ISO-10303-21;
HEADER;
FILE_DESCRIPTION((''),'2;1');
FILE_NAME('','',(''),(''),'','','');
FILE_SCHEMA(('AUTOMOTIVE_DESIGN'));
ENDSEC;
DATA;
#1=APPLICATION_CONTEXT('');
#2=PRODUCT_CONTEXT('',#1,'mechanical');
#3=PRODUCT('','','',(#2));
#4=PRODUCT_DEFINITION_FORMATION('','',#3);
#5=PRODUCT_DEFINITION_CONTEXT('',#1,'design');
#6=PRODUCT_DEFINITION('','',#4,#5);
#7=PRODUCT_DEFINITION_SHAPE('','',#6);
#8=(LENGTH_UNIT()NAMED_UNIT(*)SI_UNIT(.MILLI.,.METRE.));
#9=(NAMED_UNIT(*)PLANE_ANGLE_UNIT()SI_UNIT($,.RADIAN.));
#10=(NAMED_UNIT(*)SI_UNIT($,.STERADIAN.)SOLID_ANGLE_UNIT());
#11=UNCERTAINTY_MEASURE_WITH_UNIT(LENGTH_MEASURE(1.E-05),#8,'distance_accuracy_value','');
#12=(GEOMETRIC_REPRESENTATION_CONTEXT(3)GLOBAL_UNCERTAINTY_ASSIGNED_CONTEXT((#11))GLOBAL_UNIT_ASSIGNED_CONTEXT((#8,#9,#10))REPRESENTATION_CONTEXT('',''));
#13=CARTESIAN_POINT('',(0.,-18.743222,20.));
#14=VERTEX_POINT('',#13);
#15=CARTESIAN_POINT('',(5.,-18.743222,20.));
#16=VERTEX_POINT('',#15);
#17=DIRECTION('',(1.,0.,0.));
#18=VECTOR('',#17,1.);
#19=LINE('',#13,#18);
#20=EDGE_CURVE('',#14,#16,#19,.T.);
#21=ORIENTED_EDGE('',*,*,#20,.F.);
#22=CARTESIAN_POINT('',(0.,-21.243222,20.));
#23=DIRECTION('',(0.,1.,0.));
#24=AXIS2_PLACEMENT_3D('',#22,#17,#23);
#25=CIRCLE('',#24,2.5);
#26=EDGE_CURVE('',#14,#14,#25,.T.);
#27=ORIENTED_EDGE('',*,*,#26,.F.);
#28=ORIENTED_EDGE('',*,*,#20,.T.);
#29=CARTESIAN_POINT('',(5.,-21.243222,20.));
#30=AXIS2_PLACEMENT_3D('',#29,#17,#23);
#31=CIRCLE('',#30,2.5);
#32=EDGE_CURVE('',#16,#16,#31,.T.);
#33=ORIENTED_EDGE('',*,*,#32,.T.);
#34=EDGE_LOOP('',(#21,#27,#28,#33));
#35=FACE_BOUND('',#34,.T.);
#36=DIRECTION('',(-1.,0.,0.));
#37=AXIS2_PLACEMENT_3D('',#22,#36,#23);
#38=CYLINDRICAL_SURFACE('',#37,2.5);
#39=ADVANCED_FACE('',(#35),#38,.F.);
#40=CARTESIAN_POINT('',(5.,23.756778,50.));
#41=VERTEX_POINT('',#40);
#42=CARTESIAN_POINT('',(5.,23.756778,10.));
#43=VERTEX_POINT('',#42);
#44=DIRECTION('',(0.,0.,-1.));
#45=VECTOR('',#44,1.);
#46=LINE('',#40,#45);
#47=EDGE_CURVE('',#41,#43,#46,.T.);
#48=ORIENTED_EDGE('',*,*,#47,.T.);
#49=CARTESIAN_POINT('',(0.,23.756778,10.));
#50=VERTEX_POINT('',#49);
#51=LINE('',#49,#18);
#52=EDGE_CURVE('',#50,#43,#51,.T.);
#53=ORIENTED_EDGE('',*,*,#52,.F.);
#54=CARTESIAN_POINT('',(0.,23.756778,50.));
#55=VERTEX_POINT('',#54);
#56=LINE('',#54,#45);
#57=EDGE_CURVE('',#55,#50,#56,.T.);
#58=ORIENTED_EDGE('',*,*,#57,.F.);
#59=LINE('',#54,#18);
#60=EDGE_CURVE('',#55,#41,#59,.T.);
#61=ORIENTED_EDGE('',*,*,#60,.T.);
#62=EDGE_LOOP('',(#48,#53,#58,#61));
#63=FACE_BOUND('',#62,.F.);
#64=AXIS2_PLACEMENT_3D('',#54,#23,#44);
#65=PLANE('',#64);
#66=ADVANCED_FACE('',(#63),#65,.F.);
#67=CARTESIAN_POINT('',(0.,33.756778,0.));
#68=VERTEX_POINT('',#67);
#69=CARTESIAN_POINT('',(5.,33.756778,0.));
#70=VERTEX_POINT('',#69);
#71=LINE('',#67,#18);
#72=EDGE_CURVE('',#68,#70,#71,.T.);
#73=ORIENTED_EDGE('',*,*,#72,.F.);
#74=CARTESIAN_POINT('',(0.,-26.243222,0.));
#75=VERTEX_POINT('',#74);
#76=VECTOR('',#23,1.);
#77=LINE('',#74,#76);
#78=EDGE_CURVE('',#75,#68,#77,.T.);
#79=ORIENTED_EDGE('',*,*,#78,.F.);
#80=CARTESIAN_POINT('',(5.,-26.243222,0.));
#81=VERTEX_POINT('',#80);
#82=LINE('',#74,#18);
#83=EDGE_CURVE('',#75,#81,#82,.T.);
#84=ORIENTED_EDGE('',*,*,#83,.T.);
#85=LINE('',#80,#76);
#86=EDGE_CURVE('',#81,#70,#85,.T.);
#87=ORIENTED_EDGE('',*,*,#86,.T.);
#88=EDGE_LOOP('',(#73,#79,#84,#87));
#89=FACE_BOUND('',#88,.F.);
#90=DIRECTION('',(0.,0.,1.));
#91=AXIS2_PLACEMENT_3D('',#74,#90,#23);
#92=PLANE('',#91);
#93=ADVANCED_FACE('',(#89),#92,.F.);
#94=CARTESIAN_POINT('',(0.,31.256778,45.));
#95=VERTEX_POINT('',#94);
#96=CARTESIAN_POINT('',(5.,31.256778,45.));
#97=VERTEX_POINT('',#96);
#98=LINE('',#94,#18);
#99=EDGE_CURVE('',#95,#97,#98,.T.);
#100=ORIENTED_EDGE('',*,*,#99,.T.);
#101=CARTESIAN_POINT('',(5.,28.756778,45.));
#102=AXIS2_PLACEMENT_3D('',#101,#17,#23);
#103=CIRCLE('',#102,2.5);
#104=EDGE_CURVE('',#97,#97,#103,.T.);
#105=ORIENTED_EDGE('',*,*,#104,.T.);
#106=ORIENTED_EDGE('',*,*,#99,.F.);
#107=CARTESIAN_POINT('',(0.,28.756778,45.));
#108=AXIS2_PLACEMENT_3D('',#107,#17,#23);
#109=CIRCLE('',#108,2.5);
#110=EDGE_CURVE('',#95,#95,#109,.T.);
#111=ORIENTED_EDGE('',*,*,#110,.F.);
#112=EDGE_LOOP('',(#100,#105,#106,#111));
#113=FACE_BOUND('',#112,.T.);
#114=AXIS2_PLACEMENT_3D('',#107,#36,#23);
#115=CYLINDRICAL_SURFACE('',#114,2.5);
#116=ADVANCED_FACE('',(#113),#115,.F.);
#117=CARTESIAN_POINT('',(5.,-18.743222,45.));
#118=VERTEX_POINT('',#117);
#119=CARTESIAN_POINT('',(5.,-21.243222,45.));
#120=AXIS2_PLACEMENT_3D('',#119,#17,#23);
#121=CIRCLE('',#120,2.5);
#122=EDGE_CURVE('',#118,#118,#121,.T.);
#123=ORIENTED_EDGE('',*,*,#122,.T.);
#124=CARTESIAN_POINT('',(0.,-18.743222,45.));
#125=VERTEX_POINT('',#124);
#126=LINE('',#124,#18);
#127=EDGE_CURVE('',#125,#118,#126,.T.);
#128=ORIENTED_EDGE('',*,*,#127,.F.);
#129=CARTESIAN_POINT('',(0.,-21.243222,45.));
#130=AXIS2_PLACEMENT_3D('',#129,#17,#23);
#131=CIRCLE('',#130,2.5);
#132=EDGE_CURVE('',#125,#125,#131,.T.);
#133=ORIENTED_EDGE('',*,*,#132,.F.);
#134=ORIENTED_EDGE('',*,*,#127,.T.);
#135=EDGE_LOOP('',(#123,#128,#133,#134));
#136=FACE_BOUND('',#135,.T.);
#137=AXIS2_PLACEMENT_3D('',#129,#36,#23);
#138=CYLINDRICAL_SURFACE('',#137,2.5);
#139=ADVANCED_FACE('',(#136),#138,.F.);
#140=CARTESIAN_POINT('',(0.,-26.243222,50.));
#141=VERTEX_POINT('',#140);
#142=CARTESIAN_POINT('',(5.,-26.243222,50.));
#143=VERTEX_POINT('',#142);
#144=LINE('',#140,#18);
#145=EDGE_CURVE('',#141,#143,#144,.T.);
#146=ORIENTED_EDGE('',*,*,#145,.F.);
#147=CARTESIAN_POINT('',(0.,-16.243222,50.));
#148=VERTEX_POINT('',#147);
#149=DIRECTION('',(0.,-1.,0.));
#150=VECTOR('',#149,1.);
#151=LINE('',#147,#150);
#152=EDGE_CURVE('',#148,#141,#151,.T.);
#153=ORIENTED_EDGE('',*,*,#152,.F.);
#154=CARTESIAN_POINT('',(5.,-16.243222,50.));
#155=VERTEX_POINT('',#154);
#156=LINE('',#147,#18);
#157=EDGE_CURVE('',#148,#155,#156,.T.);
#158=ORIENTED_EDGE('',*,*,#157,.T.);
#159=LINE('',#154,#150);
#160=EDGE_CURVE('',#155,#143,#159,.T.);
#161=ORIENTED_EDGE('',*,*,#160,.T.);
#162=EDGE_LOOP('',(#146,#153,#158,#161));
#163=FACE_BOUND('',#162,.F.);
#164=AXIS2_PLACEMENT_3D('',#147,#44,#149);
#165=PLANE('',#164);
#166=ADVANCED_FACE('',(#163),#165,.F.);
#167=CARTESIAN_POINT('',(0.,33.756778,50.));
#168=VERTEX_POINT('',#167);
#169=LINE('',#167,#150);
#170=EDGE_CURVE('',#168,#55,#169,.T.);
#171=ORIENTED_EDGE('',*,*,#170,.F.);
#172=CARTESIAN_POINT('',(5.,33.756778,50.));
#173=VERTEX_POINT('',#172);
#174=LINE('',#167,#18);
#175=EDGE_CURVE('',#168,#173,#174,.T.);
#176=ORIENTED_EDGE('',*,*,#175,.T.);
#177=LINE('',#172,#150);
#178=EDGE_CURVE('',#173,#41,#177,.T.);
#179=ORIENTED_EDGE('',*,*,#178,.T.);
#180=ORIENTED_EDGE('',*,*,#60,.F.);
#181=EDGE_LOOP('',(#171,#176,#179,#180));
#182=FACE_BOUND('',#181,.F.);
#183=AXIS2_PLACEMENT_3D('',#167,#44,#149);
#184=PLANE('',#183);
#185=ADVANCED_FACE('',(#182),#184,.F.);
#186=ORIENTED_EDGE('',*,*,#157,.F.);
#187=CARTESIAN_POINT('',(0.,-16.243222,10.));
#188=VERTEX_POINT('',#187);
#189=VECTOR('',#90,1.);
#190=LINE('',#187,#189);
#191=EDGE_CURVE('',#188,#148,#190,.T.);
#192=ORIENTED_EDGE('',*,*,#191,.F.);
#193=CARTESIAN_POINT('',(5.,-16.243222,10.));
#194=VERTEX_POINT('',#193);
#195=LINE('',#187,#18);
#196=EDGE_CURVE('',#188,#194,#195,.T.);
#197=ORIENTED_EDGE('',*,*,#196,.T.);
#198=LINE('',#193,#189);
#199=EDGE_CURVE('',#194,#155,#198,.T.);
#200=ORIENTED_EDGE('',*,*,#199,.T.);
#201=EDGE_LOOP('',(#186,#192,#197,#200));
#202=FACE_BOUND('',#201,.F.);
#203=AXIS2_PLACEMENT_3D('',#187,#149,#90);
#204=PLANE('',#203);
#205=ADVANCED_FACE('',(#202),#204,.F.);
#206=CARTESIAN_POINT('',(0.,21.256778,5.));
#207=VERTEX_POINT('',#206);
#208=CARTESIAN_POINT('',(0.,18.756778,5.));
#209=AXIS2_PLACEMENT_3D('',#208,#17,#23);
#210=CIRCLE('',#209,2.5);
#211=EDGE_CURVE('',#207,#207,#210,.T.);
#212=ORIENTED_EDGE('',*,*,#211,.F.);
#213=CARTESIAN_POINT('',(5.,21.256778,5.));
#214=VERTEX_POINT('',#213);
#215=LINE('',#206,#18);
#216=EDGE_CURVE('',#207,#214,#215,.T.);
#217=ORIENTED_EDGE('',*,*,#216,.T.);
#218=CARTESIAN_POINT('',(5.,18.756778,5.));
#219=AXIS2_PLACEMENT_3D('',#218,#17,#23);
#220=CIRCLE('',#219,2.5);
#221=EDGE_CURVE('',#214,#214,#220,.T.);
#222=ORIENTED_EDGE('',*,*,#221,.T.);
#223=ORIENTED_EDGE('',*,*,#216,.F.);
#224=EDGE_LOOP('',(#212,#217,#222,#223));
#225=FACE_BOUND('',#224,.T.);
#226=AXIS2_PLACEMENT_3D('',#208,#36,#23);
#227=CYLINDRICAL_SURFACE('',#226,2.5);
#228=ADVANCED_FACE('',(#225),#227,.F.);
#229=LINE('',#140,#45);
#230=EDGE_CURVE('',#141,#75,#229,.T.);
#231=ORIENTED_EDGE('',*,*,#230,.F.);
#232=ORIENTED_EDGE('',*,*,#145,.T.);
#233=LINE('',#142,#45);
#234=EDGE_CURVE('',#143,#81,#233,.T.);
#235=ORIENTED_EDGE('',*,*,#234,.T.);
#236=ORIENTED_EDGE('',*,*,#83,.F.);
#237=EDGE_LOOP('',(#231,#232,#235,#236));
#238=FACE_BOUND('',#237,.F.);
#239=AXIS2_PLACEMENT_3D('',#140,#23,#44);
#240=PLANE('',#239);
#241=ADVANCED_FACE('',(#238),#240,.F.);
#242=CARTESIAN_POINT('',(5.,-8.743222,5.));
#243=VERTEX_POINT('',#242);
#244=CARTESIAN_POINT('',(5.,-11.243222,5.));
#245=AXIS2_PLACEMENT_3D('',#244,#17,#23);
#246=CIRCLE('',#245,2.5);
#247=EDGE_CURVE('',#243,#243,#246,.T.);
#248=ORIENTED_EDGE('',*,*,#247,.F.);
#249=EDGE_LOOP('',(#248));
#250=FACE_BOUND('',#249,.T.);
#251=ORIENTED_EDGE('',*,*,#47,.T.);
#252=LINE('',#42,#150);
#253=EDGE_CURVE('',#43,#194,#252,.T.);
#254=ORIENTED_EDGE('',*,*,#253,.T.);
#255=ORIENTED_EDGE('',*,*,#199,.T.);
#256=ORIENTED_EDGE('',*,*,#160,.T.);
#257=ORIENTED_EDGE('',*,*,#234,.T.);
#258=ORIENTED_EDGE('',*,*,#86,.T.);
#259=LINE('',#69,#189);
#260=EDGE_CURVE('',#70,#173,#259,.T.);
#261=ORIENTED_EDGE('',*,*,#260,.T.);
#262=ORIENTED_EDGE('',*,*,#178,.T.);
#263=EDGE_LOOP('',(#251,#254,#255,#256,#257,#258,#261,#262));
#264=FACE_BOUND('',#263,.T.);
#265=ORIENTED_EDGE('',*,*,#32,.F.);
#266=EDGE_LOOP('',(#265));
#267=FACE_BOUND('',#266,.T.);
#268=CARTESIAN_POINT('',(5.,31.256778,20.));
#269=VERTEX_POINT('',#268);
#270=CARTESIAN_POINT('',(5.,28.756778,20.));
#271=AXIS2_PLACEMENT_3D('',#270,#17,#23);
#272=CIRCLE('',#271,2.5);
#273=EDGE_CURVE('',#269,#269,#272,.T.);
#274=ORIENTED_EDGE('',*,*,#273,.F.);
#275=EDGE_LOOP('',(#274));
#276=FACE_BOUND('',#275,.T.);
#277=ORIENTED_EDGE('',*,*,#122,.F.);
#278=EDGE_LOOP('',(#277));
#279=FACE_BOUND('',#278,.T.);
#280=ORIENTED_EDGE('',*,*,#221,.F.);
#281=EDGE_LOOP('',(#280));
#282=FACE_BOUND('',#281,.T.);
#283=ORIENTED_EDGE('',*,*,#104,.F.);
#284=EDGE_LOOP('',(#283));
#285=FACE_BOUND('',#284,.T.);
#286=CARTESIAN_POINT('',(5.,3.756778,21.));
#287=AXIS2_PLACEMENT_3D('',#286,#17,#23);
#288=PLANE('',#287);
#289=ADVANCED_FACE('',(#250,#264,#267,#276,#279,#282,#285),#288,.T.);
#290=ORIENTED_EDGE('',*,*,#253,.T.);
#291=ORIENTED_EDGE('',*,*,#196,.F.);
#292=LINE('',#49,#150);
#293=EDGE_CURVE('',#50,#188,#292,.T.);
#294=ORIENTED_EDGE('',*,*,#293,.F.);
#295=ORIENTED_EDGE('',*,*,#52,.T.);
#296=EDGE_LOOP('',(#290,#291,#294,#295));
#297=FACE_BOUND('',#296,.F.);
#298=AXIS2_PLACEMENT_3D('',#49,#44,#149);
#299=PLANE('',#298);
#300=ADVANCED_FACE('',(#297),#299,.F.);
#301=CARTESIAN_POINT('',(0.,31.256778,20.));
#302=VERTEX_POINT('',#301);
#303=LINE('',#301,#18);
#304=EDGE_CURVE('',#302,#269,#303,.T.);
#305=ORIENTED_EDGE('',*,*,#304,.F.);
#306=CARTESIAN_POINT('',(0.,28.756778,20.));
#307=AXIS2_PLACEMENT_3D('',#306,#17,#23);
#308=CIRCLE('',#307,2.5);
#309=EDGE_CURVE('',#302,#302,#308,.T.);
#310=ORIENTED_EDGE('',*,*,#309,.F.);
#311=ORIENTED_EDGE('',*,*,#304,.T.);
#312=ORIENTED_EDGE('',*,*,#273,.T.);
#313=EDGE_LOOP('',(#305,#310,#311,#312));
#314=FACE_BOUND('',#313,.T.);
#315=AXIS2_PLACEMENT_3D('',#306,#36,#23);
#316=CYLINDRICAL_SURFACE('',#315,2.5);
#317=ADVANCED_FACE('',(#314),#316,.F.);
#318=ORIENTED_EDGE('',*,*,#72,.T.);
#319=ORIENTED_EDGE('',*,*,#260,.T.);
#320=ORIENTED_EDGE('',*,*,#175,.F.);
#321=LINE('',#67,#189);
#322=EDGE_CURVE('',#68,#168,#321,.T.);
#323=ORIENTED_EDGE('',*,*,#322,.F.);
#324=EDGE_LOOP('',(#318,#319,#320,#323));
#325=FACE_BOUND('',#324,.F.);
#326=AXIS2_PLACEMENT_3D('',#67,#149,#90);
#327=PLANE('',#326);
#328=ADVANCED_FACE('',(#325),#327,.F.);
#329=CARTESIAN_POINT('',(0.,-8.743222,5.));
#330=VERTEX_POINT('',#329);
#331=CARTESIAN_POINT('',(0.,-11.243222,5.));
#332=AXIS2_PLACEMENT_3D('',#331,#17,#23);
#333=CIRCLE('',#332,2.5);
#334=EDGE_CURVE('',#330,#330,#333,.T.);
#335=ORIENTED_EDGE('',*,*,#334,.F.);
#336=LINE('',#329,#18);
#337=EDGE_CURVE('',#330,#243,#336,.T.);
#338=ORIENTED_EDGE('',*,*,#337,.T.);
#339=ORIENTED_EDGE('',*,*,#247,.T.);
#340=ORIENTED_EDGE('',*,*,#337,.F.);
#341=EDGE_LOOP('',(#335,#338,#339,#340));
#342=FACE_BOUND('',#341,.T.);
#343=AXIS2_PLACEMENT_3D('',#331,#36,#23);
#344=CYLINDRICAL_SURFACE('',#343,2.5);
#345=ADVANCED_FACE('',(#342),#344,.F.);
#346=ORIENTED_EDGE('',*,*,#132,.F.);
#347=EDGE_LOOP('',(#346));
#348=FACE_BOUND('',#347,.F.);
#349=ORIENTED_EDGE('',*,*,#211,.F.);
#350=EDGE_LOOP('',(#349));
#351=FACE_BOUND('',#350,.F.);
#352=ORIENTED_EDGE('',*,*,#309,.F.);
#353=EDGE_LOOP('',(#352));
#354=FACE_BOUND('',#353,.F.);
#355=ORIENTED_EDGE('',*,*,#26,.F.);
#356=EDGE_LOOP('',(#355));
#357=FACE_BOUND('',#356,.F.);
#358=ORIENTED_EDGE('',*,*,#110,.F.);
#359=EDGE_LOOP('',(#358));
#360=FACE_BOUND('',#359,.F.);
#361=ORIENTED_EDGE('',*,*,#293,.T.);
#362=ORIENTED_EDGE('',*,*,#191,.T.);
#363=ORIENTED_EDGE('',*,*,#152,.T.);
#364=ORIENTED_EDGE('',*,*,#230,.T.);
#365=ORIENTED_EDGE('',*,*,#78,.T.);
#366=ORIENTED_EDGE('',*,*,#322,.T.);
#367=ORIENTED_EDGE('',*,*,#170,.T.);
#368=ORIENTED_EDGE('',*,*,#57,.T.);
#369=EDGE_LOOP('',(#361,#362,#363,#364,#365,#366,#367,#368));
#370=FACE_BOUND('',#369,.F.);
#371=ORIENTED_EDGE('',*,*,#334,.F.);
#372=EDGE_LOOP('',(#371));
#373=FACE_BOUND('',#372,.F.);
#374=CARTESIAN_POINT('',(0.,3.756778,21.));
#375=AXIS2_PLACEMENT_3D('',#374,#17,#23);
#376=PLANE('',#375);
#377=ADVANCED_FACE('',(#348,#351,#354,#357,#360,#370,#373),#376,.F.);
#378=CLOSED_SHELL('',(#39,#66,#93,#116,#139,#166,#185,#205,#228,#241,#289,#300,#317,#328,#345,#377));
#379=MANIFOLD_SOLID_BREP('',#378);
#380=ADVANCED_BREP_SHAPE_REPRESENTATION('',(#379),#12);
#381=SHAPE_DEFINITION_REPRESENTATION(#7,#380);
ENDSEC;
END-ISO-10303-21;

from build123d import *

# Parameters (mm, degrees)
F0_R     = 2.5
F1_DEPTH = 5


with BuildPart() as f1:
    # F0 (on Right) → F1 (new body)
    with BuildSketch(Plane.YZ):
        Polygon((-16.243222, 50), (-26.243222, 50), (-26.243222, 0), (33.756778, 0), (33.756778, 50), (23.756778, 50), (23.756778, 10), (-16.243222, 10), align=None)
        with Locations((-11.243222, 5)):
            Circle(F0_R, mode=Mode.SUBTRACT)
        with Locations((-21.243222, 20)):
            Circle(F0_R, mode=Mode.SUBTRACT)
        with Locations((18.756778, 5)):
            Circle(F0_R, mode=Mode.SUBTRACT)
        with Locations((28.756778, 20)):
            Circle(F0_R, mode=Mode.SUBTRACT)
        with Locations((-21.243222, 45)):
            Circle(F0_R, mode=Mode.SUBTRACT)
        with Locations((28.756778, 45)):
            Circle(F0_R, mode=Mode.SUBTRACT)
    extrude(amount=F1_DEPTH)


solid = f1.part
